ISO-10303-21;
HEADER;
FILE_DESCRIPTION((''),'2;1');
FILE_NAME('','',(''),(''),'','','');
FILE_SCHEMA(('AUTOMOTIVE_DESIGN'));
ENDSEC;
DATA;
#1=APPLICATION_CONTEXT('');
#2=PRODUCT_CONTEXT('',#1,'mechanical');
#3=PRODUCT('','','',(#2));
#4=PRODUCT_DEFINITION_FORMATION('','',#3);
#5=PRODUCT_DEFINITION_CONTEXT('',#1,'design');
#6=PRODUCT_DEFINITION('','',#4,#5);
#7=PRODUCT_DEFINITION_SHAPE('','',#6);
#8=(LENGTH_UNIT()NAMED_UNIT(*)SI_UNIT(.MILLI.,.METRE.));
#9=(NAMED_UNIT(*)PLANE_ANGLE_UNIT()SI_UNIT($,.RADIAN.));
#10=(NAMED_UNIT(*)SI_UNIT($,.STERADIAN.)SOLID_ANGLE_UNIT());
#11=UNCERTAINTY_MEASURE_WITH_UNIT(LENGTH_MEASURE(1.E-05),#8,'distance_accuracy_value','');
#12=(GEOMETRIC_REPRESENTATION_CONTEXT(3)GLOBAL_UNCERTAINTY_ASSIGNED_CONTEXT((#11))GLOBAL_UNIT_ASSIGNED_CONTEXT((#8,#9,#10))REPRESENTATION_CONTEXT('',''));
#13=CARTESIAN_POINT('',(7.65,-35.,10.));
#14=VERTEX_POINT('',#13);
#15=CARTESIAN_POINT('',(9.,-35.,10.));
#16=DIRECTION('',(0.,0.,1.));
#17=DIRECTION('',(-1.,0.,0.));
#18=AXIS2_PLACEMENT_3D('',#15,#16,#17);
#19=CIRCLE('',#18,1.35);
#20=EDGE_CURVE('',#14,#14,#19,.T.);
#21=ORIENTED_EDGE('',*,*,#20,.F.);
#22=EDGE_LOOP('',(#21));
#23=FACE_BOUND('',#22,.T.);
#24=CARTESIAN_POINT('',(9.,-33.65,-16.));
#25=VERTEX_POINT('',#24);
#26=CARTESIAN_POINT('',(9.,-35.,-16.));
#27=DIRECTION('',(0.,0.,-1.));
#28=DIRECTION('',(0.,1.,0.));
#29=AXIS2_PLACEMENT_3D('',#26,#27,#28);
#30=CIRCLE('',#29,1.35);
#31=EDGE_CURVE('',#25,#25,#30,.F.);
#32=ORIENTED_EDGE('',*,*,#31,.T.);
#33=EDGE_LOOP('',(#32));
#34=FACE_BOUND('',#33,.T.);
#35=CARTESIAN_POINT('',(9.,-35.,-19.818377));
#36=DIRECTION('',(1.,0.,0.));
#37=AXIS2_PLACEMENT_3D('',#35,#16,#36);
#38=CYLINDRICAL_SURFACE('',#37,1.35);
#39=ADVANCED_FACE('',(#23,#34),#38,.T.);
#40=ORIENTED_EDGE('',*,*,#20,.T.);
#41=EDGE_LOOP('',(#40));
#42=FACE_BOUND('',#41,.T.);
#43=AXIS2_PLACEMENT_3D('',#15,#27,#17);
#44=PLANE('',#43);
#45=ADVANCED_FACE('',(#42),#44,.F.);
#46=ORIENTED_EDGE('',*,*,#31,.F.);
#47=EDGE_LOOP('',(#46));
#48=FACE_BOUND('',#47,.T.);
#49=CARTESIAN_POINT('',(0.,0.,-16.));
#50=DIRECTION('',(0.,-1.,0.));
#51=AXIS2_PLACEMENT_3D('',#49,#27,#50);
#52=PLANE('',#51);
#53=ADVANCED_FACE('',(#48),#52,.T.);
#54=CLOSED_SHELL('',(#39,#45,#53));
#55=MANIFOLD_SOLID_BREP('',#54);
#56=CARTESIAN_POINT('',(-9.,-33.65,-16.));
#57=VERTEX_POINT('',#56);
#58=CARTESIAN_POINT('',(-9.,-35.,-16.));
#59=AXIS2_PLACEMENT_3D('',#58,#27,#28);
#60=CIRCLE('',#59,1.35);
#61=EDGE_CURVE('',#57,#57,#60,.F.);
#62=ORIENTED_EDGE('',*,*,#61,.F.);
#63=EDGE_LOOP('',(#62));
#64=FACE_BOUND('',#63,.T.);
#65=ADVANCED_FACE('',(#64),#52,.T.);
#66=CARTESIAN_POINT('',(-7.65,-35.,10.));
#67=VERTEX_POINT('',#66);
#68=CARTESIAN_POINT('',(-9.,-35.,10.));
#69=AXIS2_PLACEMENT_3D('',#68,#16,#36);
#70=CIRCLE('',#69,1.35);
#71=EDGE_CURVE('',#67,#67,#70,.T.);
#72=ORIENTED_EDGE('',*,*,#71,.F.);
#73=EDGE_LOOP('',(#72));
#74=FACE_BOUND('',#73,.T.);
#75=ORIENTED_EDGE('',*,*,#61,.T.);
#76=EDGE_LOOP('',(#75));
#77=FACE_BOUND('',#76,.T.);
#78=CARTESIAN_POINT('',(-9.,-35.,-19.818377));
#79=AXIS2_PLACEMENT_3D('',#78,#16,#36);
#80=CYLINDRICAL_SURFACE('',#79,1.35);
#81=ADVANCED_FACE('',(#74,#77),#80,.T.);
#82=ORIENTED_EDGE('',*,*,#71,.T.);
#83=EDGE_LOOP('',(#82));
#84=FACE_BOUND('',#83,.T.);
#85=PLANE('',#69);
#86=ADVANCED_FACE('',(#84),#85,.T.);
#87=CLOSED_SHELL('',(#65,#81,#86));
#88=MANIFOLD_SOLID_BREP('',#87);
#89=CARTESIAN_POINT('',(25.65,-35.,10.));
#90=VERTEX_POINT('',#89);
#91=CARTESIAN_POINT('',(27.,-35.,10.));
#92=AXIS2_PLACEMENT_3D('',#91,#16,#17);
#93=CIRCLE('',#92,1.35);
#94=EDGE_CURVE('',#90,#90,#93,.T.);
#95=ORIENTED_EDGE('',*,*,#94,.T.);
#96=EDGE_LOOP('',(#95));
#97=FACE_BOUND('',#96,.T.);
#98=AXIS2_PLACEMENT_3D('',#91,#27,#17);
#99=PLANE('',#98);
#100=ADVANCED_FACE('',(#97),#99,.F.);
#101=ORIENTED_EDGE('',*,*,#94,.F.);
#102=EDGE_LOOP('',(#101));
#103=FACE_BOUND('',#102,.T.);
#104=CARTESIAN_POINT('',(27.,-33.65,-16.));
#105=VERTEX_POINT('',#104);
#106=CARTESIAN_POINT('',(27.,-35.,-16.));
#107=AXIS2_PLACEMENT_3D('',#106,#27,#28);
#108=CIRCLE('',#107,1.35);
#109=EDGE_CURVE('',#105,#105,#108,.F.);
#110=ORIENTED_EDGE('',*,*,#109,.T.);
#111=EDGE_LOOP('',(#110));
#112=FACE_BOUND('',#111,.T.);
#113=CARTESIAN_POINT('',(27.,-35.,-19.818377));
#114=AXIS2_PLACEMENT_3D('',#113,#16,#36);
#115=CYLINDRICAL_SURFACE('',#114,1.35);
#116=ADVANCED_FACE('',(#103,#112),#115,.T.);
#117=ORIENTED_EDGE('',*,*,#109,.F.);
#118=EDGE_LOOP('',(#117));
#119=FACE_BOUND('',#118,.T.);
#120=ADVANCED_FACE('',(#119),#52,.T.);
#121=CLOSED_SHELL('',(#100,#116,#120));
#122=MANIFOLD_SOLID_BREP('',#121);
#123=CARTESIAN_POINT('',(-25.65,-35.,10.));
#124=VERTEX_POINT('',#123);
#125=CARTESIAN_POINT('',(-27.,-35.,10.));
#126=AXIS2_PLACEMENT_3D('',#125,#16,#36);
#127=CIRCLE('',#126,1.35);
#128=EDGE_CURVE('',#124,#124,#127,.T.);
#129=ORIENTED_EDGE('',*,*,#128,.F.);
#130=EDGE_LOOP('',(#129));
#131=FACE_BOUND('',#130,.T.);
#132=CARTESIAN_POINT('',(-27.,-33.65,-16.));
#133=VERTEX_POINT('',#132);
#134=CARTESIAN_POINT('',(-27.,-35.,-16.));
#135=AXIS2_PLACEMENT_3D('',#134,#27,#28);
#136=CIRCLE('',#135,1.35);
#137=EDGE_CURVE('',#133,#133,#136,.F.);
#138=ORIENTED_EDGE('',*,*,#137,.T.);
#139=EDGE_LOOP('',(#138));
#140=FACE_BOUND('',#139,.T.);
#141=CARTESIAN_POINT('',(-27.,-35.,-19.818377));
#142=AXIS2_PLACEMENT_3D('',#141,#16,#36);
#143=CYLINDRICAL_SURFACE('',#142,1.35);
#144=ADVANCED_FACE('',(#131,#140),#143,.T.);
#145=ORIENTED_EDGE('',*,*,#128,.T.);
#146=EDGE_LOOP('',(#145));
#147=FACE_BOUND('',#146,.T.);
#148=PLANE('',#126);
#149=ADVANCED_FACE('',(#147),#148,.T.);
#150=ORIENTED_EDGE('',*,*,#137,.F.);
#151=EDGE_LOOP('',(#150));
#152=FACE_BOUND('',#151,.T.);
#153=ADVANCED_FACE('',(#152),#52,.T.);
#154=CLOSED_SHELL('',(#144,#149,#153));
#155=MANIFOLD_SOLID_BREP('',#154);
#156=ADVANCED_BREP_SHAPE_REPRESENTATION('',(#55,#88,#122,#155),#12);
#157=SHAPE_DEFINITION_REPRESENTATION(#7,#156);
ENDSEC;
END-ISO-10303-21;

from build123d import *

# Parameters (mm, degrees)
BOSS_EXTRUDE1_DEPTH        = 10
BOSS_EXTRUDE1_DEPTH_BACK   = 16
SKETCH1_R                  = 1.35
BOSS_EXTRUDE1_2_DEPTH      = 10
BOSS_EXTRUDE1_2_DEPTH_BACK = 16
BOSS_EXTRUDE1_3_DEPTH      = 10
BOSS_EXTRUDE1_3_DEPTH_BACK = 16
BOSS_EXTRUDE1_4_DEPTH      = 10
BOSS_EXTRUDE1_4_DEPTH_BACK = 16


with BuildPart() as part:
    # Sketch1 → Boss-Extrude1 (new, two sides: drawn at the far end of the back side and taken through both)
    with BuildSketch(Plane.XY.offset(-BOSS_EXTRUDE1_DEPTH_BACK)):
        with Locations((-27, -35)):
            Circle(SKETCH1_R)
    extrude(amount=BOSS_EXTRUDE1_DEPTH + BOSS_EXTRUDE1_DEPTH_BACK)


with BuildPart() as body_2:
    # Sketch1 → Boss-Extrude1 2 (new, two sides: drawn at the far end of the back side and taken through both)
    with BuildSketch(Plane.XY.offset(-BOSS_EXTRUDE1_2_DEPTH_BACK)):
        with Locations((-9, -35)):
            Circle(SKETCH1_R)
    extrude(amount=BOSS_EXTRUDE1_2_DEPTH + BOSS_EXTRUDE1_2_DEPTH_BACK)


with BuildPart() as body_3:
    # Sketch1 → Boss-Extrude1 3 (new, two sides: drawn at the far end of the back side and taken through both)
    with BuildSketch(Plane.XY.offset(-BOSS_EXTRUDE1_3_DEPTH_BACK)):
        with Locations(Location((27, -35, 0), (0, 0, 90))):
            Circle(SKETCH1_R)
    extrude(amount=BOSS_EXTRUDE1_3_DEPTH + BOSS_EXTRUDE1_3_DEPTH_BACK)


with BuildPart() as body_4:
    # Sketch1 → Boss-Extrude1 4 (new, two sides: drawn at the far end of the back side and taken through both)
    with BuildSketch(Plane.XY.offset(-BOSS_EXTRUDE1_4_DEPTH_BACK)):
        with Locations(Location((9, -35, 0), (0, 0, 90))):
            Circle(SKETCH1_R)
    extrude(amount=BOSS_EXTRUDE1_4_DEPTH + BOSS_EXTRUDE1_4_DEPTH_BACK)


solid = Compound([part.part, body_2.part, body_3.part, body_4.part])
